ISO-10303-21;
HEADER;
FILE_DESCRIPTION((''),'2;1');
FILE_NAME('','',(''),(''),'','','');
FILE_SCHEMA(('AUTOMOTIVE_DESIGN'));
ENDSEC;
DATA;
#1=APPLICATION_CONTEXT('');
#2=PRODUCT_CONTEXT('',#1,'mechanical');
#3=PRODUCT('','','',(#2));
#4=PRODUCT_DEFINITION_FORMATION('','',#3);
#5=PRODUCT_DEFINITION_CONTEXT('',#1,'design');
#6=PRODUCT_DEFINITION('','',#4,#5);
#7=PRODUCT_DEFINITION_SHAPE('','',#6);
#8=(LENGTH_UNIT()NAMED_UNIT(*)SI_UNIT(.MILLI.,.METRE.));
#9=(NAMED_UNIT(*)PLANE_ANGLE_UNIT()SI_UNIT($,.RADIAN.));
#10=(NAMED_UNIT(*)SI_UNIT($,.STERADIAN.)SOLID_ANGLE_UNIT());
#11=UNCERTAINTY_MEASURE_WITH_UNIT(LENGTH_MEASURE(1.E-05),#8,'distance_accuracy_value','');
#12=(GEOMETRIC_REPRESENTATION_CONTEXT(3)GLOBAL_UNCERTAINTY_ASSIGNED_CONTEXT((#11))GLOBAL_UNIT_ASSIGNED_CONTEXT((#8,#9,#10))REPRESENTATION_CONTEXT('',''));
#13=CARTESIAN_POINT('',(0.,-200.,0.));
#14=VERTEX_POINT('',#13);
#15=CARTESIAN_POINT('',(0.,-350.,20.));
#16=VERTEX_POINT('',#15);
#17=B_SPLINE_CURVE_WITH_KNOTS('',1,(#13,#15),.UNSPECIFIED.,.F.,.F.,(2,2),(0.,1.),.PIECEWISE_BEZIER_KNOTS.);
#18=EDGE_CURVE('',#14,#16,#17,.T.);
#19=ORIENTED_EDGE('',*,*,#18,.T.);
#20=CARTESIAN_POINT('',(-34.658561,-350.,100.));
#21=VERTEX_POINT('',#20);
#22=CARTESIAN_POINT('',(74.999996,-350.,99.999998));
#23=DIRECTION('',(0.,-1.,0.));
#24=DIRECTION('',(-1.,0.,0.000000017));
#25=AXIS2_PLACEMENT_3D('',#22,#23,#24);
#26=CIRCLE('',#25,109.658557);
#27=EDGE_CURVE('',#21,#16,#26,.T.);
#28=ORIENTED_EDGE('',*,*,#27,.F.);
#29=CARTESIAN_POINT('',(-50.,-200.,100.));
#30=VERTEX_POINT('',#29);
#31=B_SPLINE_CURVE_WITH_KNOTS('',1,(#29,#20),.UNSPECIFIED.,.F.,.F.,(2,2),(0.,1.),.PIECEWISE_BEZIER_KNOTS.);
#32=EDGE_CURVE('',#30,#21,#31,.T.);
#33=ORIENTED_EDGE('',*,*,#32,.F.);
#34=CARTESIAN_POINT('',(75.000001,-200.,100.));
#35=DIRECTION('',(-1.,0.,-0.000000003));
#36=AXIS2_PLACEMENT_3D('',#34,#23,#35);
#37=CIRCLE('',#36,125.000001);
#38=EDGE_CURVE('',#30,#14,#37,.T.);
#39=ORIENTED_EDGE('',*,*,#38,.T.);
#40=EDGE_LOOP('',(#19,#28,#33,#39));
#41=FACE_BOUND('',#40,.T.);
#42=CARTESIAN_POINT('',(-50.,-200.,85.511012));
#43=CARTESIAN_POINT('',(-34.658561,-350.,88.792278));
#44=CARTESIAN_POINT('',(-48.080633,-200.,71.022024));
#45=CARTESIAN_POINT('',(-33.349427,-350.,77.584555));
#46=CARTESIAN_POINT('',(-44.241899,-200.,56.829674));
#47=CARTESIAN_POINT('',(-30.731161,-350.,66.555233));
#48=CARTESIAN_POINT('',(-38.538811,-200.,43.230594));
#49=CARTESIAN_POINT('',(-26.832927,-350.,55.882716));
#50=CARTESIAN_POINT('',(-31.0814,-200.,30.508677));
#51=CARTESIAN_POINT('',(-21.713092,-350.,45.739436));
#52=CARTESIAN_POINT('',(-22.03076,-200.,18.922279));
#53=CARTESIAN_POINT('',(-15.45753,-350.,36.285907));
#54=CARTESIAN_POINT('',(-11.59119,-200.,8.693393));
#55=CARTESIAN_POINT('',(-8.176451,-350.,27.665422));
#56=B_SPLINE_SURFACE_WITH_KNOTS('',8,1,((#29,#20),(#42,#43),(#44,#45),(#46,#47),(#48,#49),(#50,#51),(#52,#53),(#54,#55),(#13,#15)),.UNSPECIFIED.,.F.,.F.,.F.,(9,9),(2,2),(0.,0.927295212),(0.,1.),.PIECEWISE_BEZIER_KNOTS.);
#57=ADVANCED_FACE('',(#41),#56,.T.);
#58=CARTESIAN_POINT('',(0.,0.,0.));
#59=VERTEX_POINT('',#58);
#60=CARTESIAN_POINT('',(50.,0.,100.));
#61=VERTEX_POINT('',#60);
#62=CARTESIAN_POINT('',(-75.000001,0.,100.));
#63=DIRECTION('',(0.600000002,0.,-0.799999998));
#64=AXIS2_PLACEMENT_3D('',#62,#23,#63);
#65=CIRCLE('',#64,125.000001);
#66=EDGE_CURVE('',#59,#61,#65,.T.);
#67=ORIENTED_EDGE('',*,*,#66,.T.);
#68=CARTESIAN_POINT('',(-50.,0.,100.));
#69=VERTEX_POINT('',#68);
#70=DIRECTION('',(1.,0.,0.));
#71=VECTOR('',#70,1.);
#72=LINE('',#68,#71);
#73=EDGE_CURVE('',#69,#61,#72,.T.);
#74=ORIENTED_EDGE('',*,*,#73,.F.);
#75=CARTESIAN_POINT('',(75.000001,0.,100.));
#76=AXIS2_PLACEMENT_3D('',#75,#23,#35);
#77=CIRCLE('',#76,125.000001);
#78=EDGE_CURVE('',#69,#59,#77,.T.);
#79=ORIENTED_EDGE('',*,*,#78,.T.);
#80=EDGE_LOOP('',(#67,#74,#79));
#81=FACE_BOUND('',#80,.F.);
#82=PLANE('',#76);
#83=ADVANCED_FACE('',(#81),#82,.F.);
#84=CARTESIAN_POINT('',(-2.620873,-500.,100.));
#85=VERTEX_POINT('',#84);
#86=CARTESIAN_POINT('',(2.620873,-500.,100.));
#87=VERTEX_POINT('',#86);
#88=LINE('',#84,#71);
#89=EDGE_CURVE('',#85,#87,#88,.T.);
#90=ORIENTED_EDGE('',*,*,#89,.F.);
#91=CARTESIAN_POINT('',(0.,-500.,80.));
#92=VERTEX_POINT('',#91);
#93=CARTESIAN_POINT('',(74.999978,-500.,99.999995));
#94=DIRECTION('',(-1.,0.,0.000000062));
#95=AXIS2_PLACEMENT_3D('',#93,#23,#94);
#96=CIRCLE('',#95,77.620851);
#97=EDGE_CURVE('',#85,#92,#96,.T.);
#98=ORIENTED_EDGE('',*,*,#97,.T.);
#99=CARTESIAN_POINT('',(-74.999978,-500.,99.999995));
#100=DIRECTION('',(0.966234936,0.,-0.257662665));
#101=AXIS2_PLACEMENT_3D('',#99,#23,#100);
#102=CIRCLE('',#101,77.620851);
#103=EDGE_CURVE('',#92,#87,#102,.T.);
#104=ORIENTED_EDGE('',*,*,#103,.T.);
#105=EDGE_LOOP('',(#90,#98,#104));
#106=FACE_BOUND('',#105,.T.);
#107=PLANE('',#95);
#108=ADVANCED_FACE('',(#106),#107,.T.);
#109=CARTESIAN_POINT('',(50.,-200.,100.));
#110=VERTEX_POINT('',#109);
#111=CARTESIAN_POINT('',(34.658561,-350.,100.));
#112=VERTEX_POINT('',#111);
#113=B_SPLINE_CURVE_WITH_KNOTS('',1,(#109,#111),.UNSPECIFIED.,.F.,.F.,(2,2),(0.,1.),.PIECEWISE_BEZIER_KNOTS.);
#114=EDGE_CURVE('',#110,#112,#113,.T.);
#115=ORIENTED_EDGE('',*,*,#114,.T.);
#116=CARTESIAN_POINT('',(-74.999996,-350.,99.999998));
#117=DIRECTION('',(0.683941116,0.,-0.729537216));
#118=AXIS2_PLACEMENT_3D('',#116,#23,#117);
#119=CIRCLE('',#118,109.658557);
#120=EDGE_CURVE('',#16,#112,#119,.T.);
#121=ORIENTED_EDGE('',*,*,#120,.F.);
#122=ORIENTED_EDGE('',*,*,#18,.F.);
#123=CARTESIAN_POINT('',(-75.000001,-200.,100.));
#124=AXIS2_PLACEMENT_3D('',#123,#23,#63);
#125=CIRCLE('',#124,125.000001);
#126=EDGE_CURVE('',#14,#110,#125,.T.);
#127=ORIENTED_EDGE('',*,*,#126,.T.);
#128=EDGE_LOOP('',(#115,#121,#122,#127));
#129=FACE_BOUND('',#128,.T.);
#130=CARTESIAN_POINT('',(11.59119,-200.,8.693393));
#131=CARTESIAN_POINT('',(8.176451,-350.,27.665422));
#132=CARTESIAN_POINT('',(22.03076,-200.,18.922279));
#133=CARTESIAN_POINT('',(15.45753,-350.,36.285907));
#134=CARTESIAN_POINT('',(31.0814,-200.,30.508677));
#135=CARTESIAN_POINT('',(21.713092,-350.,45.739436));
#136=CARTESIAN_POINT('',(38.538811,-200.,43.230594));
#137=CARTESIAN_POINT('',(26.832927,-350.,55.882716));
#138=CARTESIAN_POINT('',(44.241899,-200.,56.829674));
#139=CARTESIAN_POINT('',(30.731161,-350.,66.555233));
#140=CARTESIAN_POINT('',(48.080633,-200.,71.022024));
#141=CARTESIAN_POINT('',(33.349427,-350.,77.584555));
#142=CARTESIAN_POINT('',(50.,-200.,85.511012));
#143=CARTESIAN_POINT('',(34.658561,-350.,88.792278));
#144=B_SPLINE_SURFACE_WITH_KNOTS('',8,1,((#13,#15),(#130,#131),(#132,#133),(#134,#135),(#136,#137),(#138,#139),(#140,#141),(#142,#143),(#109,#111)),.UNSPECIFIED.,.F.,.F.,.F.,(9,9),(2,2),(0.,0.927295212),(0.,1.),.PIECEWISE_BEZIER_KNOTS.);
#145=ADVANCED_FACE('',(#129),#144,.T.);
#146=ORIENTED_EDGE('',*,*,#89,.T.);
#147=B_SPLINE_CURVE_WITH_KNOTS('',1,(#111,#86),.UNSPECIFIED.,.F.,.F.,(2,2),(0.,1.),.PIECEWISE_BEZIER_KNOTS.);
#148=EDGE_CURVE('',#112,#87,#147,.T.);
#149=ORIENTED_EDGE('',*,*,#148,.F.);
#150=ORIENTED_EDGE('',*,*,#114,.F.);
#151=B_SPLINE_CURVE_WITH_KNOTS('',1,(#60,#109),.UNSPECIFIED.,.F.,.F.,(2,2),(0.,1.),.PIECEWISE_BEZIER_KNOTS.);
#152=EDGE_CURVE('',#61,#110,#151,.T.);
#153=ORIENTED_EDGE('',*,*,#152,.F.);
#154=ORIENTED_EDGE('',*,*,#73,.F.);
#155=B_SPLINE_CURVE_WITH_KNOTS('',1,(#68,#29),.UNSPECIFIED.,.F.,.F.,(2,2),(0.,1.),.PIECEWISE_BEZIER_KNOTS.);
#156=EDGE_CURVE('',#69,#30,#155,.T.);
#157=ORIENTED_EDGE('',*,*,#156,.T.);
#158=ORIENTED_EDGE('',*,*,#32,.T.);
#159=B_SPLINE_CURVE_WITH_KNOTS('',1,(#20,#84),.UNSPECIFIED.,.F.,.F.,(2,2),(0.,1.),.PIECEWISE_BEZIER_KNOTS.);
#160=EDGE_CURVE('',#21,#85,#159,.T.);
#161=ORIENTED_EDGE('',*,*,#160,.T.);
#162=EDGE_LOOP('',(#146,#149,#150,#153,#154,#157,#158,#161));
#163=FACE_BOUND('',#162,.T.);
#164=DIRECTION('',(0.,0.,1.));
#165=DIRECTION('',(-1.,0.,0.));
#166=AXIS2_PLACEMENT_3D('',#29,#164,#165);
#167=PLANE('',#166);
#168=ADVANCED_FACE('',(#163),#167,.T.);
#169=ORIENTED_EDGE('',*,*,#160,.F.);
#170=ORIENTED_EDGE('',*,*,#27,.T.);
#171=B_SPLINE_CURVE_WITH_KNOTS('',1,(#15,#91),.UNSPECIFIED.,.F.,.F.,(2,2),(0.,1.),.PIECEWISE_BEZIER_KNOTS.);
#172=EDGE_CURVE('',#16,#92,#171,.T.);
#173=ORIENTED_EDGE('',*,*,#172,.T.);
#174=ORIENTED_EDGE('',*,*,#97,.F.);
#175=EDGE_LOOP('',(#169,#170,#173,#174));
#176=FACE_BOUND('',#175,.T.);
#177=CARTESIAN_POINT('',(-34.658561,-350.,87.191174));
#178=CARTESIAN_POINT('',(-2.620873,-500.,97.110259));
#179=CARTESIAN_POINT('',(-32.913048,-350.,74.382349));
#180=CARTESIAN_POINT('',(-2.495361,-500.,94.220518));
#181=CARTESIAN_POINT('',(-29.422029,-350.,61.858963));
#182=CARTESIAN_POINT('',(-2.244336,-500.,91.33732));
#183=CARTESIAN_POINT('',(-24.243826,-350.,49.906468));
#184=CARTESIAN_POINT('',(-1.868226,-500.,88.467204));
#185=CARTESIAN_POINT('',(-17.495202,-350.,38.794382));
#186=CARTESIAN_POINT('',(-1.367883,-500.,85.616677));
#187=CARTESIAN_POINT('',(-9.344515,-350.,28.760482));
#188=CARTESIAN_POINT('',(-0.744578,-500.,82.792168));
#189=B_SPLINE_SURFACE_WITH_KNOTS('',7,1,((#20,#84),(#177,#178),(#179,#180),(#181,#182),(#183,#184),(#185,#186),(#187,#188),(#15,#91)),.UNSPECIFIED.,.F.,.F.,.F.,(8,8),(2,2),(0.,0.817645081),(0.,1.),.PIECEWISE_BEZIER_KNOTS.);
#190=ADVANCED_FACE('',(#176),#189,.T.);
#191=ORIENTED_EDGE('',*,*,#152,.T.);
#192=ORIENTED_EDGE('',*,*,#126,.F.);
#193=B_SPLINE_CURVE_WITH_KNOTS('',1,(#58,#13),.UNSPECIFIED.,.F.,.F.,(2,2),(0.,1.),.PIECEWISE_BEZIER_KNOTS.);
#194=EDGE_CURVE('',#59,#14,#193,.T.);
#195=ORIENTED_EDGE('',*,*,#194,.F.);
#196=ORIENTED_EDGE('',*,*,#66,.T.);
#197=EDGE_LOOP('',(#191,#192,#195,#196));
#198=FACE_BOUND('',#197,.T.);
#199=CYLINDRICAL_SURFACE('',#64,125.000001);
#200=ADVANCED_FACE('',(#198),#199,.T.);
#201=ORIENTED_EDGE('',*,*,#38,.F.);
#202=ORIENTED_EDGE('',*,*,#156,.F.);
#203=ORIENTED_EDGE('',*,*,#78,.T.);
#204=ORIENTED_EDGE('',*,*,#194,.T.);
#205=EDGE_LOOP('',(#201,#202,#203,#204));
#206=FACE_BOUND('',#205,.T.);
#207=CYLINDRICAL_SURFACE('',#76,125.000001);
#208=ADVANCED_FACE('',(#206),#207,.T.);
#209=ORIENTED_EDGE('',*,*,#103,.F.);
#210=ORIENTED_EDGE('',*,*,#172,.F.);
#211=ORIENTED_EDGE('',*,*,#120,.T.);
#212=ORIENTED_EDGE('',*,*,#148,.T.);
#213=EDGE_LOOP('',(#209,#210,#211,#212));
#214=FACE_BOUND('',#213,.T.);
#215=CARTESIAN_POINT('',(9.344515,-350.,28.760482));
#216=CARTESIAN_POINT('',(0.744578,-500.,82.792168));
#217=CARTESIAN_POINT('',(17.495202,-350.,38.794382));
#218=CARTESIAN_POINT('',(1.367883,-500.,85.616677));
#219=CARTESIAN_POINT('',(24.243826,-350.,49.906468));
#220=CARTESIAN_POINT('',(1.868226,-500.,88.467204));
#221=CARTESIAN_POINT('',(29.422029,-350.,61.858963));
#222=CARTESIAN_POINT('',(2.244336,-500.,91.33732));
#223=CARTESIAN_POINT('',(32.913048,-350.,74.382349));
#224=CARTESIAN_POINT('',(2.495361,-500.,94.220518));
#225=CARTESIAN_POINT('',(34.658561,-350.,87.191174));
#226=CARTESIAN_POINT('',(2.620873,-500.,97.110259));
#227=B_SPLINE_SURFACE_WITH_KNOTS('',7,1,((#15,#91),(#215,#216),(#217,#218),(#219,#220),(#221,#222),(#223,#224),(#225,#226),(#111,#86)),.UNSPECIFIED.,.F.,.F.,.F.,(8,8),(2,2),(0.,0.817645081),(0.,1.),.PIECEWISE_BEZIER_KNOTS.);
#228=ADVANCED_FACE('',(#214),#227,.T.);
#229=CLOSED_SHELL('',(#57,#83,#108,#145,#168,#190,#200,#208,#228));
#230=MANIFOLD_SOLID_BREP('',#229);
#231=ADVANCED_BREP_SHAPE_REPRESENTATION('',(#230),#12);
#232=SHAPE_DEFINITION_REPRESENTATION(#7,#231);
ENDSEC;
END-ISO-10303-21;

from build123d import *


with BuildPart() as part:
    # Sketch → AdditiveLoft section 0
    with BuildSketch(Plane.XZ):
        with BuildLine():
            ThreePointArc((-50, 100), (-36.803399, 44.098301), (0, 0))
            ThreePointArc((0, 0), (36.803399, 44.098301), (50, 100))
            Line((-50, 100), (50, 100))
        make_face()
    # Sketch003 (on DatumPlane) → AdditiveLoft section 1
    with BuildSketch(Plane.XZ.offset(200)):
        with BuildLine():
            Line((-50, 100), (50, 100))
            ThreePointArc((0, 0), (36.803399, 44.098301), (50, 100))
            ThreePointArc((-50, 100), (-36.803399, 44.098301), (0, 0))
        make_face()
    # Sketch001 (on DatumPlane) → AdditiveLoft section 2
    with BuildSketch(Plane.XZ.offset(350)):
        with BuildLine():
            Line((-34.658561, 100), (34.658561, 100))
            ThreePointArc((0, 20), (25.621549, 56.407524), (34.658561, 100))
            ThreePointArc((-34.658561, 100), (-25.621549, 56.407524), (0, 20))
        make_face()
    # Sketch002 (on DatumPlane) → AdditiveLoft section 3
    with BuildSketch(Plane.XZ.offset(500)):
        with BuildLine():
            Line((-2.620873, 100), (2.620873, 100))
            ThreePointArc((0, 80), (1.962866, 89.914503), (2.620873, 100))
            ThreePointArc((-2.620873, 100), (-1.962866, 89.914503), (0, 80))
        make_face()
    loft(ruled=True)


solid = part.part
